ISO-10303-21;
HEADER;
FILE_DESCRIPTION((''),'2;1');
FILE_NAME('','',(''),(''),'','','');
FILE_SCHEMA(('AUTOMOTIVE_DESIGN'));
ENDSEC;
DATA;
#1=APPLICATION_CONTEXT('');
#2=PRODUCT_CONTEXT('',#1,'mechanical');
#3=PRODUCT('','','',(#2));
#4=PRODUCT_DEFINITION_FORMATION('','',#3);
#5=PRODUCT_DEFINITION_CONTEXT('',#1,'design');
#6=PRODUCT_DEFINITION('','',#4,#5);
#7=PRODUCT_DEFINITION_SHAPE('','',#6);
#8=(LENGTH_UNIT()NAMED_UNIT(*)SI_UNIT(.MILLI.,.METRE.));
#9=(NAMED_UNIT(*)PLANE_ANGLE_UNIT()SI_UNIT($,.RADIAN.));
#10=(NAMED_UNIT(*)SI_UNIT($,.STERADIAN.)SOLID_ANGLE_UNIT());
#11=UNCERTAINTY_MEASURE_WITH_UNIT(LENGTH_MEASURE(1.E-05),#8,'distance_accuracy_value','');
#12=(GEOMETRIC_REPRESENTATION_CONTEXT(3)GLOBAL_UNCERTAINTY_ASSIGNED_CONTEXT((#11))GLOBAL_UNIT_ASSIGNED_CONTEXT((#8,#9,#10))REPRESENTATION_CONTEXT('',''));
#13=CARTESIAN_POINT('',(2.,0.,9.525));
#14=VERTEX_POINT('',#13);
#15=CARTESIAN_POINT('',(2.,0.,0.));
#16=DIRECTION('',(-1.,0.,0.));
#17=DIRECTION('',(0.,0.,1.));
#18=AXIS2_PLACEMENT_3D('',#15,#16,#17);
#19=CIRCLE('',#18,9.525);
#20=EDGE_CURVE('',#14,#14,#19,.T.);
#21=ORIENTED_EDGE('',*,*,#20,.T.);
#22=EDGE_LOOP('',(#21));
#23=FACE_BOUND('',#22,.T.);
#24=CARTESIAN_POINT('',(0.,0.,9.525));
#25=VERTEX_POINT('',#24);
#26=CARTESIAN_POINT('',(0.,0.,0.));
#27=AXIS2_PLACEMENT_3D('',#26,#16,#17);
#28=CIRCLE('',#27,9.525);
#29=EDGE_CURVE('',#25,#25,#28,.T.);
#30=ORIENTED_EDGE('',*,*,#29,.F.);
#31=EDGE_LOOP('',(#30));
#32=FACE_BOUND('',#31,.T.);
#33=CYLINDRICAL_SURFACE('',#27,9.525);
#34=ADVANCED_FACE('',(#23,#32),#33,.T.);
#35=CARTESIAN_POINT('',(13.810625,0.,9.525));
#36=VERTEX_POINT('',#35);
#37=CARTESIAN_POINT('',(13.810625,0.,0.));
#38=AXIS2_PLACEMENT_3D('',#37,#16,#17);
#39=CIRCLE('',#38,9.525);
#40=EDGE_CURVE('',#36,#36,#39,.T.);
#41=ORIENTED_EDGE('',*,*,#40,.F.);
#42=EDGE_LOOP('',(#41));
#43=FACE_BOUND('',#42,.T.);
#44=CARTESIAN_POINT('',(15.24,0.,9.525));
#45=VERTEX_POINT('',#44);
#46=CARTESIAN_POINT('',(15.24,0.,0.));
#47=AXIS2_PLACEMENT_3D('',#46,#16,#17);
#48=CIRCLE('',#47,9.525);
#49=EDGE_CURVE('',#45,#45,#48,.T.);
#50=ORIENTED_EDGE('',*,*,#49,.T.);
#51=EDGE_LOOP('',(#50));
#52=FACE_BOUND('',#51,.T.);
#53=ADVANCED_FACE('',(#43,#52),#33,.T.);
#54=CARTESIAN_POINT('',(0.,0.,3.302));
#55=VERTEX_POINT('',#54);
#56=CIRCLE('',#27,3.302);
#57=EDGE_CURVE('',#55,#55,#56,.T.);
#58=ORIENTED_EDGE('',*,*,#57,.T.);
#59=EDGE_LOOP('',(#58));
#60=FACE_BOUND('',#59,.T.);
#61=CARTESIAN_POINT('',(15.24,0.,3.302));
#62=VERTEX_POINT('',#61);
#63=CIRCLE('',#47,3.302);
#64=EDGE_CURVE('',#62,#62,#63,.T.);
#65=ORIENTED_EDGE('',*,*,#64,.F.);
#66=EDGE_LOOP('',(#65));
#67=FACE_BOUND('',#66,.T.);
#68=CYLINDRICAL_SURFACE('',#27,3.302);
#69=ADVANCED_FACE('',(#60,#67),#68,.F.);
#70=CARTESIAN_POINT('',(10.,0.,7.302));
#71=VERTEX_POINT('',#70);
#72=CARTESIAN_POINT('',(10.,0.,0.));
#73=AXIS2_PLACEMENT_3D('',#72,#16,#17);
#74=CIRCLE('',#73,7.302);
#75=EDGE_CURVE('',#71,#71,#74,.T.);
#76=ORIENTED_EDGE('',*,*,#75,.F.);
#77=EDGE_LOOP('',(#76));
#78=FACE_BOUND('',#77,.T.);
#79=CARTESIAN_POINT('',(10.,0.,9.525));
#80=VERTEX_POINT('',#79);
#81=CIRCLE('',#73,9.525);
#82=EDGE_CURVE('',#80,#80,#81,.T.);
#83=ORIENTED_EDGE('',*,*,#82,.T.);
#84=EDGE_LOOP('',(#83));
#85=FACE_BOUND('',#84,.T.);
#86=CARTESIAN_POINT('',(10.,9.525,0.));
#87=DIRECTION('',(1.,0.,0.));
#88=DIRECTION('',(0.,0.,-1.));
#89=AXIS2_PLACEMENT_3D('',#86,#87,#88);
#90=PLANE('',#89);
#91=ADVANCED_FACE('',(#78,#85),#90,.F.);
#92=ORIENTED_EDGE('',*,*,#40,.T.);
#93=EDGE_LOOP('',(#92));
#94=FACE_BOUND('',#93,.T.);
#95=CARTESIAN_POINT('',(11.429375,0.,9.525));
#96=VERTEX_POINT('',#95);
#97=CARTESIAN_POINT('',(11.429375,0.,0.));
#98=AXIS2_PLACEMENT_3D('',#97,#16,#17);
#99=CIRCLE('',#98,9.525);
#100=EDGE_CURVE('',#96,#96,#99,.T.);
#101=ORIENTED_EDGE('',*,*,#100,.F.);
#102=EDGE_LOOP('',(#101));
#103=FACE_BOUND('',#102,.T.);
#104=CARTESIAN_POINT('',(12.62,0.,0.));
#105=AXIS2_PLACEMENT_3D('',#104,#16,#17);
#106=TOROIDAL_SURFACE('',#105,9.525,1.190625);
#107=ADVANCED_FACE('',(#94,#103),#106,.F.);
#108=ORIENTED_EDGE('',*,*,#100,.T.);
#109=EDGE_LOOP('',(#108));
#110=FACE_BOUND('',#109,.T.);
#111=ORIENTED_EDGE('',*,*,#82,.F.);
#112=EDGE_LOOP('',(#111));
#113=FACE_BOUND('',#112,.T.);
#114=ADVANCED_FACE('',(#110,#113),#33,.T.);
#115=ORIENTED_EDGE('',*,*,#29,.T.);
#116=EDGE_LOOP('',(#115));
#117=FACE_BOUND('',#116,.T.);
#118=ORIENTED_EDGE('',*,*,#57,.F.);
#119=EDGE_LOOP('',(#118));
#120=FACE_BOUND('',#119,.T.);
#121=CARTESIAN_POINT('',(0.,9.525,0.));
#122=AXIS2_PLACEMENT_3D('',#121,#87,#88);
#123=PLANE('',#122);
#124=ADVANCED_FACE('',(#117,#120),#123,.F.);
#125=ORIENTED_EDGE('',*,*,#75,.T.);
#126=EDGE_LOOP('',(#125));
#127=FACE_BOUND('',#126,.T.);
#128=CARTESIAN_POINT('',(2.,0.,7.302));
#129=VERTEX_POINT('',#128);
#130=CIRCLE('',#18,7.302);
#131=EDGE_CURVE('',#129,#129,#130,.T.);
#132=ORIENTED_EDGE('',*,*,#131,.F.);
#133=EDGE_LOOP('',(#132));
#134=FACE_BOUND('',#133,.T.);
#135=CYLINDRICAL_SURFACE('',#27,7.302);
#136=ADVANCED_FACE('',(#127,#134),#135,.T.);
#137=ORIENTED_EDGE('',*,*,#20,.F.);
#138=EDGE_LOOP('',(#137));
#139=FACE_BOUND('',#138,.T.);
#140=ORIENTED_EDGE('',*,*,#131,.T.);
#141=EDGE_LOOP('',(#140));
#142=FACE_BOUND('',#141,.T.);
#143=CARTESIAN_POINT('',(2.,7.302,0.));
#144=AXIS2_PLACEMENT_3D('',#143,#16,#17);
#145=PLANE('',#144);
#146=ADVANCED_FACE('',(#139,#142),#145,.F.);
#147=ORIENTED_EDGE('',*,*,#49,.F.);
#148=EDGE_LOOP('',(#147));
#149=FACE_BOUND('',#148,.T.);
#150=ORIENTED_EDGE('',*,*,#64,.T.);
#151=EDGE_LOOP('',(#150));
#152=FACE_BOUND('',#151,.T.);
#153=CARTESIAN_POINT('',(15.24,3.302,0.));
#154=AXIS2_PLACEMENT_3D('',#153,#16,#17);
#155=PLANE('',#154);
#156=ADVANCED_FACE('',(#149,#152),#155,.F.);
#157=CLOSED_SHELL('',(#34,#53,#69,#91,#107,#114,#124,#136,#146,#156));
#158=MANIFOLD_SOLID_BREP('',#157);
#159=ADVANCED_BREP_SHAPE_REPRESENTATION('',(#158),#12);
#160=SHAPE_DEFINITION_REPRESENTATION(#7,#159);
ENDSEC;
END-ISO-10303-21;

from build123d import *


with BuildPart() as part:
    # Sketch1 → Revolve1 (revolve)
    with BuildSketch(Plane.XY, mode=Mode.PRIVATE) as revolve1_sk:
        with BuildLine():
            Line((0, 3.302), (15.24, 3.302))
            Line((15.24, 3.302), (15.24, 9.525))
            Line((15.24, 9.525), (13.810625, 9.525))
            ThreePointArc((13.810625, 9.525), (12.62, 8.334375), (11.429375, 9.525))
            Line((11.429375, 9.525), (10, 9.525))
            Line((10, 9.525), (10, 7.302))
            Line((10, 7.302), (2, 7.302))
            Line((2, 7.302), (2, 9.525))
            Line((2, 9.525), (0, 9.525))
            Line((0, 9.525), (0, 3.302))
        make_face()
    revolve(revolve1_sk.sketch.rotate(Axis((0, 0, 0), (1, 0, 0)), 90), axis=Axis((0, 0, 0), (1, 0, 0)))


solid = part.part
